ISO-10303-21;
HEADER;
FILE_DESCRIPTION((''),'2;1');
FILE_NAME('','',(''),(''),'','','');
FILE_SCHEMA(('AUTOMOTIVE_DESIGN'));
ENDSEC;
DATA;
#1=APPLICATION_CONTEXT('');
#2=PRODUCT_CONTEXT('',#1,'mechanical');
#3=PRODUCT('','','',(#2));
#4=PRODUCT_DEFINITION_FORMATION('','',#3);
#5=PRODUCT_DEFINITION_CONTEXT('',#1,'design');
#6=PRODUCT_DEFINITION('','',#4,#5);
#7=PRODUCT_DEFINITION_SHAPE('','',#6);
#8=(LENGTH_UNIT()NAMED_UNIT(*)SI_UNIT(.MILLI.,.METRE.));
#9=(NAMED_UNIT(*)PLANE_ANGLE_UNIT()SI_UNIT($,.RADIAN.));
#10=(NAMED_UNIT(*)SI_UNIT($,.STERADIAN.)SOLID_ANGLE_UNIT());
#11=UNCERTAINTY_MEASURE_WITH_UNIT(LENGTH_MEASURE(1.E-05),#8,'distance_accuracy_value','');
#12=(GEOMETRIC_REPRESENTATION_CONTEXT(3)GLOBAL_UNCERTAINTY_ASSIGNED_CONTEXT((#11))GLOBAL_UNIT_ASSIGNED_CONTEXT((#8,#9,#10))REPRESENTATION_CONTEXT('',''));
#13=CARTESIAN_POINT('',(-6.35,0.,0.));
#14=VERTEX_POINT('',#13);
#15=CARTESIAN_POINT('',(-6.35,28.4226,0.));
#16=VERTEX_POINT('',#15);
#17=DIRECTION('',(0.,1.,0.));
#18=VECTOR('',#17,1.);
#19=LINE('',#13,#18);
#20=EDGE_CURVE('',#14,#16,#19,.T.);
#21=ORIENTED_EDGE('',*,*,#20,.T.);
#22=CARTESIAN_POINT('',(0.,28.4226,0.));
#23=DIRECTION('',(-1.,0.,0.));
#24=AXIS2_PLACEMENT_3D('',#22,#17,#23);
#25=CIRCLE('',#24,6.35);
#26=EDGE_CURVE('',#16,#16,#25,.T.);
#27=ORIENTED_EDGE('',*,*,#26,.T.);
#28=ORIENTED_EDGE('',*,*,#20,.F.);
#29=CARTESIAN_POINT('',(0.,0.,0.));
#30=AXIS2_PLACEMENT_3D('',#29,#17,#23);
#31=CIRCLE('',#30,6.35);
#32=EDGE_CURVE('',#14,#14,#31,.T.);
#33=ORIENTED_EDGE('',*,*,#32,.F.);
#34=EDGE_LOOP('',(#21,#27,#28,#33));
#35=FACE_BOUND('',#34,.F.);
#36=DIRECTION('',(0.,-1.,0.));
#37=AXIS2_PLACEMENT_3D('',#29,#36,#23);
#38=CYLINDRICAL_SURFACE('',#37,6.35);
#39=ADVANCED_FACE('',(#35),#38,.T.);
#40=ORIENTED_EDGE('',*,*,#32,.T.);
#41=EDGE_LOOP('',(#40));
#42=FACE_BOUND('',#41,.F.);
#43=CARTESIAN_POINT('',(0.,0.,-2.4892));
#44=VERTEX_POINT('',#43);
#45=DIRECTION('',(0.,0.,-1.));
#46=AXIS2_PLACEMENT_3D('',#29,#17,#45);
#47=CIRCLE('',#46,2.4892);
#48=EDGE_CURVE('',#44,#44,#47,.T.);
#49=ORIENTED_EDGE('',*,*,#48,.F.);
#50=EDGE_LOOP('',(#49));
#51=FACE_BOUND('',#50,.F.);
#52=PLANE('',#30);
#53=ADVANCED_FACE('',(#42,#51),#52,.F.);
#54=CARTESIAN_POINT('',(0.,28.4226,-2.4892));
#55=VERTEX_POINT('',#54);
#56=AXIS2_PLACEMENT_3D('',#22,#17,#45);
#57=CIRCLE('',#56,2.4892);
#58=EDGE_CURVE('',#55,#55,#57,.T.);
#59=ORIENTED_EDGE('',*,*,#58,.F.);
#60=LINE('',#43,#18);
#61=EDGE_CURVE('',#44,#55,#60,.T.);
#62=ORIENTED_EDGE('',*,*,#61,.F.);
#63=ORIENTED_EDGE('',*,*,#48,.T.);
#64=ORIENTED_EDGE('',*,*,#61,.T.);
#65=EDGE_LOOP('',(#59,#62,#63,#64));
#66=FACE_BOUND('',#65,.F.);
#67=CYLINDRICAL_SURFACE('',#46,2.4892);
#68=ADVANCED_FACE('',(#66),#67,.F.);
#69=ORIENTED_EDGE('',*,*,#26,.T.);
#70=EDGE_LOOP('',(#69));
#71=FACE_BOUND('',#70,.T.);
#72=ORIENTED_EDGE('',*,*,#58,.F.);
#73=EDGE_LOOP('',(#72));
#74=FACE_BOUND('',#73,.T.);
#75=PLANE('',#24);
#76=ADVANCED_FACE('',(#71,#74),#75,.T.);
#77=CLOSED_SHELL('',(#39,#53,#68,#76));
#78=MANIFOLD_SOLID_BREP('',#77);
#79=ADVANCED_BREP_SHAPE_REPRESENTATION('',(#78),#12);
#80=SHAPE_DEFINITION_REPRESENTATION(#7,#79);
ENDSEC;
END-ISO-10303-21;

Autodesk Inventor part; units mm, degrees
ref_plane "YZ Plane" through (0, 0, 0) normal (1, 0, 0) x (0, 1, 0)
ref_plane "XZ Plane" through (0, 0, 0) normal (0, 1, 0) x (-1, 0, 0)
ref_plane "XY Plane" through (0, 0, 0) normal (0, 0, 1) x (1, 0, 0)
sketch "Sketch1" plane through (0, 0, 0) normal (0, 1, 0) x (-1, 0, 0)
  circle A0 centre (0, 0) radius 6.35
  dimension "d0" = 12.7
extrude "Extrusion1" add sketch "Sketch1" along normal blind 28.4226
sketch "Sketch2" plane through (0, 0, 0) normal (0, -1, 0) x (1, 0, 0)
  point P0 (0, 0)
  point P1 (0, 0)
hole "Hole1" at (0, 0, 0) direction (0, 1, 0) diameter 4.9784 end through all thread size "1/4-20 UNC" class "2B" standard "ANSI Unified Screw Threads"
properties part number "Intake Pivot Spacer 3" material "Aluminum 6061"
